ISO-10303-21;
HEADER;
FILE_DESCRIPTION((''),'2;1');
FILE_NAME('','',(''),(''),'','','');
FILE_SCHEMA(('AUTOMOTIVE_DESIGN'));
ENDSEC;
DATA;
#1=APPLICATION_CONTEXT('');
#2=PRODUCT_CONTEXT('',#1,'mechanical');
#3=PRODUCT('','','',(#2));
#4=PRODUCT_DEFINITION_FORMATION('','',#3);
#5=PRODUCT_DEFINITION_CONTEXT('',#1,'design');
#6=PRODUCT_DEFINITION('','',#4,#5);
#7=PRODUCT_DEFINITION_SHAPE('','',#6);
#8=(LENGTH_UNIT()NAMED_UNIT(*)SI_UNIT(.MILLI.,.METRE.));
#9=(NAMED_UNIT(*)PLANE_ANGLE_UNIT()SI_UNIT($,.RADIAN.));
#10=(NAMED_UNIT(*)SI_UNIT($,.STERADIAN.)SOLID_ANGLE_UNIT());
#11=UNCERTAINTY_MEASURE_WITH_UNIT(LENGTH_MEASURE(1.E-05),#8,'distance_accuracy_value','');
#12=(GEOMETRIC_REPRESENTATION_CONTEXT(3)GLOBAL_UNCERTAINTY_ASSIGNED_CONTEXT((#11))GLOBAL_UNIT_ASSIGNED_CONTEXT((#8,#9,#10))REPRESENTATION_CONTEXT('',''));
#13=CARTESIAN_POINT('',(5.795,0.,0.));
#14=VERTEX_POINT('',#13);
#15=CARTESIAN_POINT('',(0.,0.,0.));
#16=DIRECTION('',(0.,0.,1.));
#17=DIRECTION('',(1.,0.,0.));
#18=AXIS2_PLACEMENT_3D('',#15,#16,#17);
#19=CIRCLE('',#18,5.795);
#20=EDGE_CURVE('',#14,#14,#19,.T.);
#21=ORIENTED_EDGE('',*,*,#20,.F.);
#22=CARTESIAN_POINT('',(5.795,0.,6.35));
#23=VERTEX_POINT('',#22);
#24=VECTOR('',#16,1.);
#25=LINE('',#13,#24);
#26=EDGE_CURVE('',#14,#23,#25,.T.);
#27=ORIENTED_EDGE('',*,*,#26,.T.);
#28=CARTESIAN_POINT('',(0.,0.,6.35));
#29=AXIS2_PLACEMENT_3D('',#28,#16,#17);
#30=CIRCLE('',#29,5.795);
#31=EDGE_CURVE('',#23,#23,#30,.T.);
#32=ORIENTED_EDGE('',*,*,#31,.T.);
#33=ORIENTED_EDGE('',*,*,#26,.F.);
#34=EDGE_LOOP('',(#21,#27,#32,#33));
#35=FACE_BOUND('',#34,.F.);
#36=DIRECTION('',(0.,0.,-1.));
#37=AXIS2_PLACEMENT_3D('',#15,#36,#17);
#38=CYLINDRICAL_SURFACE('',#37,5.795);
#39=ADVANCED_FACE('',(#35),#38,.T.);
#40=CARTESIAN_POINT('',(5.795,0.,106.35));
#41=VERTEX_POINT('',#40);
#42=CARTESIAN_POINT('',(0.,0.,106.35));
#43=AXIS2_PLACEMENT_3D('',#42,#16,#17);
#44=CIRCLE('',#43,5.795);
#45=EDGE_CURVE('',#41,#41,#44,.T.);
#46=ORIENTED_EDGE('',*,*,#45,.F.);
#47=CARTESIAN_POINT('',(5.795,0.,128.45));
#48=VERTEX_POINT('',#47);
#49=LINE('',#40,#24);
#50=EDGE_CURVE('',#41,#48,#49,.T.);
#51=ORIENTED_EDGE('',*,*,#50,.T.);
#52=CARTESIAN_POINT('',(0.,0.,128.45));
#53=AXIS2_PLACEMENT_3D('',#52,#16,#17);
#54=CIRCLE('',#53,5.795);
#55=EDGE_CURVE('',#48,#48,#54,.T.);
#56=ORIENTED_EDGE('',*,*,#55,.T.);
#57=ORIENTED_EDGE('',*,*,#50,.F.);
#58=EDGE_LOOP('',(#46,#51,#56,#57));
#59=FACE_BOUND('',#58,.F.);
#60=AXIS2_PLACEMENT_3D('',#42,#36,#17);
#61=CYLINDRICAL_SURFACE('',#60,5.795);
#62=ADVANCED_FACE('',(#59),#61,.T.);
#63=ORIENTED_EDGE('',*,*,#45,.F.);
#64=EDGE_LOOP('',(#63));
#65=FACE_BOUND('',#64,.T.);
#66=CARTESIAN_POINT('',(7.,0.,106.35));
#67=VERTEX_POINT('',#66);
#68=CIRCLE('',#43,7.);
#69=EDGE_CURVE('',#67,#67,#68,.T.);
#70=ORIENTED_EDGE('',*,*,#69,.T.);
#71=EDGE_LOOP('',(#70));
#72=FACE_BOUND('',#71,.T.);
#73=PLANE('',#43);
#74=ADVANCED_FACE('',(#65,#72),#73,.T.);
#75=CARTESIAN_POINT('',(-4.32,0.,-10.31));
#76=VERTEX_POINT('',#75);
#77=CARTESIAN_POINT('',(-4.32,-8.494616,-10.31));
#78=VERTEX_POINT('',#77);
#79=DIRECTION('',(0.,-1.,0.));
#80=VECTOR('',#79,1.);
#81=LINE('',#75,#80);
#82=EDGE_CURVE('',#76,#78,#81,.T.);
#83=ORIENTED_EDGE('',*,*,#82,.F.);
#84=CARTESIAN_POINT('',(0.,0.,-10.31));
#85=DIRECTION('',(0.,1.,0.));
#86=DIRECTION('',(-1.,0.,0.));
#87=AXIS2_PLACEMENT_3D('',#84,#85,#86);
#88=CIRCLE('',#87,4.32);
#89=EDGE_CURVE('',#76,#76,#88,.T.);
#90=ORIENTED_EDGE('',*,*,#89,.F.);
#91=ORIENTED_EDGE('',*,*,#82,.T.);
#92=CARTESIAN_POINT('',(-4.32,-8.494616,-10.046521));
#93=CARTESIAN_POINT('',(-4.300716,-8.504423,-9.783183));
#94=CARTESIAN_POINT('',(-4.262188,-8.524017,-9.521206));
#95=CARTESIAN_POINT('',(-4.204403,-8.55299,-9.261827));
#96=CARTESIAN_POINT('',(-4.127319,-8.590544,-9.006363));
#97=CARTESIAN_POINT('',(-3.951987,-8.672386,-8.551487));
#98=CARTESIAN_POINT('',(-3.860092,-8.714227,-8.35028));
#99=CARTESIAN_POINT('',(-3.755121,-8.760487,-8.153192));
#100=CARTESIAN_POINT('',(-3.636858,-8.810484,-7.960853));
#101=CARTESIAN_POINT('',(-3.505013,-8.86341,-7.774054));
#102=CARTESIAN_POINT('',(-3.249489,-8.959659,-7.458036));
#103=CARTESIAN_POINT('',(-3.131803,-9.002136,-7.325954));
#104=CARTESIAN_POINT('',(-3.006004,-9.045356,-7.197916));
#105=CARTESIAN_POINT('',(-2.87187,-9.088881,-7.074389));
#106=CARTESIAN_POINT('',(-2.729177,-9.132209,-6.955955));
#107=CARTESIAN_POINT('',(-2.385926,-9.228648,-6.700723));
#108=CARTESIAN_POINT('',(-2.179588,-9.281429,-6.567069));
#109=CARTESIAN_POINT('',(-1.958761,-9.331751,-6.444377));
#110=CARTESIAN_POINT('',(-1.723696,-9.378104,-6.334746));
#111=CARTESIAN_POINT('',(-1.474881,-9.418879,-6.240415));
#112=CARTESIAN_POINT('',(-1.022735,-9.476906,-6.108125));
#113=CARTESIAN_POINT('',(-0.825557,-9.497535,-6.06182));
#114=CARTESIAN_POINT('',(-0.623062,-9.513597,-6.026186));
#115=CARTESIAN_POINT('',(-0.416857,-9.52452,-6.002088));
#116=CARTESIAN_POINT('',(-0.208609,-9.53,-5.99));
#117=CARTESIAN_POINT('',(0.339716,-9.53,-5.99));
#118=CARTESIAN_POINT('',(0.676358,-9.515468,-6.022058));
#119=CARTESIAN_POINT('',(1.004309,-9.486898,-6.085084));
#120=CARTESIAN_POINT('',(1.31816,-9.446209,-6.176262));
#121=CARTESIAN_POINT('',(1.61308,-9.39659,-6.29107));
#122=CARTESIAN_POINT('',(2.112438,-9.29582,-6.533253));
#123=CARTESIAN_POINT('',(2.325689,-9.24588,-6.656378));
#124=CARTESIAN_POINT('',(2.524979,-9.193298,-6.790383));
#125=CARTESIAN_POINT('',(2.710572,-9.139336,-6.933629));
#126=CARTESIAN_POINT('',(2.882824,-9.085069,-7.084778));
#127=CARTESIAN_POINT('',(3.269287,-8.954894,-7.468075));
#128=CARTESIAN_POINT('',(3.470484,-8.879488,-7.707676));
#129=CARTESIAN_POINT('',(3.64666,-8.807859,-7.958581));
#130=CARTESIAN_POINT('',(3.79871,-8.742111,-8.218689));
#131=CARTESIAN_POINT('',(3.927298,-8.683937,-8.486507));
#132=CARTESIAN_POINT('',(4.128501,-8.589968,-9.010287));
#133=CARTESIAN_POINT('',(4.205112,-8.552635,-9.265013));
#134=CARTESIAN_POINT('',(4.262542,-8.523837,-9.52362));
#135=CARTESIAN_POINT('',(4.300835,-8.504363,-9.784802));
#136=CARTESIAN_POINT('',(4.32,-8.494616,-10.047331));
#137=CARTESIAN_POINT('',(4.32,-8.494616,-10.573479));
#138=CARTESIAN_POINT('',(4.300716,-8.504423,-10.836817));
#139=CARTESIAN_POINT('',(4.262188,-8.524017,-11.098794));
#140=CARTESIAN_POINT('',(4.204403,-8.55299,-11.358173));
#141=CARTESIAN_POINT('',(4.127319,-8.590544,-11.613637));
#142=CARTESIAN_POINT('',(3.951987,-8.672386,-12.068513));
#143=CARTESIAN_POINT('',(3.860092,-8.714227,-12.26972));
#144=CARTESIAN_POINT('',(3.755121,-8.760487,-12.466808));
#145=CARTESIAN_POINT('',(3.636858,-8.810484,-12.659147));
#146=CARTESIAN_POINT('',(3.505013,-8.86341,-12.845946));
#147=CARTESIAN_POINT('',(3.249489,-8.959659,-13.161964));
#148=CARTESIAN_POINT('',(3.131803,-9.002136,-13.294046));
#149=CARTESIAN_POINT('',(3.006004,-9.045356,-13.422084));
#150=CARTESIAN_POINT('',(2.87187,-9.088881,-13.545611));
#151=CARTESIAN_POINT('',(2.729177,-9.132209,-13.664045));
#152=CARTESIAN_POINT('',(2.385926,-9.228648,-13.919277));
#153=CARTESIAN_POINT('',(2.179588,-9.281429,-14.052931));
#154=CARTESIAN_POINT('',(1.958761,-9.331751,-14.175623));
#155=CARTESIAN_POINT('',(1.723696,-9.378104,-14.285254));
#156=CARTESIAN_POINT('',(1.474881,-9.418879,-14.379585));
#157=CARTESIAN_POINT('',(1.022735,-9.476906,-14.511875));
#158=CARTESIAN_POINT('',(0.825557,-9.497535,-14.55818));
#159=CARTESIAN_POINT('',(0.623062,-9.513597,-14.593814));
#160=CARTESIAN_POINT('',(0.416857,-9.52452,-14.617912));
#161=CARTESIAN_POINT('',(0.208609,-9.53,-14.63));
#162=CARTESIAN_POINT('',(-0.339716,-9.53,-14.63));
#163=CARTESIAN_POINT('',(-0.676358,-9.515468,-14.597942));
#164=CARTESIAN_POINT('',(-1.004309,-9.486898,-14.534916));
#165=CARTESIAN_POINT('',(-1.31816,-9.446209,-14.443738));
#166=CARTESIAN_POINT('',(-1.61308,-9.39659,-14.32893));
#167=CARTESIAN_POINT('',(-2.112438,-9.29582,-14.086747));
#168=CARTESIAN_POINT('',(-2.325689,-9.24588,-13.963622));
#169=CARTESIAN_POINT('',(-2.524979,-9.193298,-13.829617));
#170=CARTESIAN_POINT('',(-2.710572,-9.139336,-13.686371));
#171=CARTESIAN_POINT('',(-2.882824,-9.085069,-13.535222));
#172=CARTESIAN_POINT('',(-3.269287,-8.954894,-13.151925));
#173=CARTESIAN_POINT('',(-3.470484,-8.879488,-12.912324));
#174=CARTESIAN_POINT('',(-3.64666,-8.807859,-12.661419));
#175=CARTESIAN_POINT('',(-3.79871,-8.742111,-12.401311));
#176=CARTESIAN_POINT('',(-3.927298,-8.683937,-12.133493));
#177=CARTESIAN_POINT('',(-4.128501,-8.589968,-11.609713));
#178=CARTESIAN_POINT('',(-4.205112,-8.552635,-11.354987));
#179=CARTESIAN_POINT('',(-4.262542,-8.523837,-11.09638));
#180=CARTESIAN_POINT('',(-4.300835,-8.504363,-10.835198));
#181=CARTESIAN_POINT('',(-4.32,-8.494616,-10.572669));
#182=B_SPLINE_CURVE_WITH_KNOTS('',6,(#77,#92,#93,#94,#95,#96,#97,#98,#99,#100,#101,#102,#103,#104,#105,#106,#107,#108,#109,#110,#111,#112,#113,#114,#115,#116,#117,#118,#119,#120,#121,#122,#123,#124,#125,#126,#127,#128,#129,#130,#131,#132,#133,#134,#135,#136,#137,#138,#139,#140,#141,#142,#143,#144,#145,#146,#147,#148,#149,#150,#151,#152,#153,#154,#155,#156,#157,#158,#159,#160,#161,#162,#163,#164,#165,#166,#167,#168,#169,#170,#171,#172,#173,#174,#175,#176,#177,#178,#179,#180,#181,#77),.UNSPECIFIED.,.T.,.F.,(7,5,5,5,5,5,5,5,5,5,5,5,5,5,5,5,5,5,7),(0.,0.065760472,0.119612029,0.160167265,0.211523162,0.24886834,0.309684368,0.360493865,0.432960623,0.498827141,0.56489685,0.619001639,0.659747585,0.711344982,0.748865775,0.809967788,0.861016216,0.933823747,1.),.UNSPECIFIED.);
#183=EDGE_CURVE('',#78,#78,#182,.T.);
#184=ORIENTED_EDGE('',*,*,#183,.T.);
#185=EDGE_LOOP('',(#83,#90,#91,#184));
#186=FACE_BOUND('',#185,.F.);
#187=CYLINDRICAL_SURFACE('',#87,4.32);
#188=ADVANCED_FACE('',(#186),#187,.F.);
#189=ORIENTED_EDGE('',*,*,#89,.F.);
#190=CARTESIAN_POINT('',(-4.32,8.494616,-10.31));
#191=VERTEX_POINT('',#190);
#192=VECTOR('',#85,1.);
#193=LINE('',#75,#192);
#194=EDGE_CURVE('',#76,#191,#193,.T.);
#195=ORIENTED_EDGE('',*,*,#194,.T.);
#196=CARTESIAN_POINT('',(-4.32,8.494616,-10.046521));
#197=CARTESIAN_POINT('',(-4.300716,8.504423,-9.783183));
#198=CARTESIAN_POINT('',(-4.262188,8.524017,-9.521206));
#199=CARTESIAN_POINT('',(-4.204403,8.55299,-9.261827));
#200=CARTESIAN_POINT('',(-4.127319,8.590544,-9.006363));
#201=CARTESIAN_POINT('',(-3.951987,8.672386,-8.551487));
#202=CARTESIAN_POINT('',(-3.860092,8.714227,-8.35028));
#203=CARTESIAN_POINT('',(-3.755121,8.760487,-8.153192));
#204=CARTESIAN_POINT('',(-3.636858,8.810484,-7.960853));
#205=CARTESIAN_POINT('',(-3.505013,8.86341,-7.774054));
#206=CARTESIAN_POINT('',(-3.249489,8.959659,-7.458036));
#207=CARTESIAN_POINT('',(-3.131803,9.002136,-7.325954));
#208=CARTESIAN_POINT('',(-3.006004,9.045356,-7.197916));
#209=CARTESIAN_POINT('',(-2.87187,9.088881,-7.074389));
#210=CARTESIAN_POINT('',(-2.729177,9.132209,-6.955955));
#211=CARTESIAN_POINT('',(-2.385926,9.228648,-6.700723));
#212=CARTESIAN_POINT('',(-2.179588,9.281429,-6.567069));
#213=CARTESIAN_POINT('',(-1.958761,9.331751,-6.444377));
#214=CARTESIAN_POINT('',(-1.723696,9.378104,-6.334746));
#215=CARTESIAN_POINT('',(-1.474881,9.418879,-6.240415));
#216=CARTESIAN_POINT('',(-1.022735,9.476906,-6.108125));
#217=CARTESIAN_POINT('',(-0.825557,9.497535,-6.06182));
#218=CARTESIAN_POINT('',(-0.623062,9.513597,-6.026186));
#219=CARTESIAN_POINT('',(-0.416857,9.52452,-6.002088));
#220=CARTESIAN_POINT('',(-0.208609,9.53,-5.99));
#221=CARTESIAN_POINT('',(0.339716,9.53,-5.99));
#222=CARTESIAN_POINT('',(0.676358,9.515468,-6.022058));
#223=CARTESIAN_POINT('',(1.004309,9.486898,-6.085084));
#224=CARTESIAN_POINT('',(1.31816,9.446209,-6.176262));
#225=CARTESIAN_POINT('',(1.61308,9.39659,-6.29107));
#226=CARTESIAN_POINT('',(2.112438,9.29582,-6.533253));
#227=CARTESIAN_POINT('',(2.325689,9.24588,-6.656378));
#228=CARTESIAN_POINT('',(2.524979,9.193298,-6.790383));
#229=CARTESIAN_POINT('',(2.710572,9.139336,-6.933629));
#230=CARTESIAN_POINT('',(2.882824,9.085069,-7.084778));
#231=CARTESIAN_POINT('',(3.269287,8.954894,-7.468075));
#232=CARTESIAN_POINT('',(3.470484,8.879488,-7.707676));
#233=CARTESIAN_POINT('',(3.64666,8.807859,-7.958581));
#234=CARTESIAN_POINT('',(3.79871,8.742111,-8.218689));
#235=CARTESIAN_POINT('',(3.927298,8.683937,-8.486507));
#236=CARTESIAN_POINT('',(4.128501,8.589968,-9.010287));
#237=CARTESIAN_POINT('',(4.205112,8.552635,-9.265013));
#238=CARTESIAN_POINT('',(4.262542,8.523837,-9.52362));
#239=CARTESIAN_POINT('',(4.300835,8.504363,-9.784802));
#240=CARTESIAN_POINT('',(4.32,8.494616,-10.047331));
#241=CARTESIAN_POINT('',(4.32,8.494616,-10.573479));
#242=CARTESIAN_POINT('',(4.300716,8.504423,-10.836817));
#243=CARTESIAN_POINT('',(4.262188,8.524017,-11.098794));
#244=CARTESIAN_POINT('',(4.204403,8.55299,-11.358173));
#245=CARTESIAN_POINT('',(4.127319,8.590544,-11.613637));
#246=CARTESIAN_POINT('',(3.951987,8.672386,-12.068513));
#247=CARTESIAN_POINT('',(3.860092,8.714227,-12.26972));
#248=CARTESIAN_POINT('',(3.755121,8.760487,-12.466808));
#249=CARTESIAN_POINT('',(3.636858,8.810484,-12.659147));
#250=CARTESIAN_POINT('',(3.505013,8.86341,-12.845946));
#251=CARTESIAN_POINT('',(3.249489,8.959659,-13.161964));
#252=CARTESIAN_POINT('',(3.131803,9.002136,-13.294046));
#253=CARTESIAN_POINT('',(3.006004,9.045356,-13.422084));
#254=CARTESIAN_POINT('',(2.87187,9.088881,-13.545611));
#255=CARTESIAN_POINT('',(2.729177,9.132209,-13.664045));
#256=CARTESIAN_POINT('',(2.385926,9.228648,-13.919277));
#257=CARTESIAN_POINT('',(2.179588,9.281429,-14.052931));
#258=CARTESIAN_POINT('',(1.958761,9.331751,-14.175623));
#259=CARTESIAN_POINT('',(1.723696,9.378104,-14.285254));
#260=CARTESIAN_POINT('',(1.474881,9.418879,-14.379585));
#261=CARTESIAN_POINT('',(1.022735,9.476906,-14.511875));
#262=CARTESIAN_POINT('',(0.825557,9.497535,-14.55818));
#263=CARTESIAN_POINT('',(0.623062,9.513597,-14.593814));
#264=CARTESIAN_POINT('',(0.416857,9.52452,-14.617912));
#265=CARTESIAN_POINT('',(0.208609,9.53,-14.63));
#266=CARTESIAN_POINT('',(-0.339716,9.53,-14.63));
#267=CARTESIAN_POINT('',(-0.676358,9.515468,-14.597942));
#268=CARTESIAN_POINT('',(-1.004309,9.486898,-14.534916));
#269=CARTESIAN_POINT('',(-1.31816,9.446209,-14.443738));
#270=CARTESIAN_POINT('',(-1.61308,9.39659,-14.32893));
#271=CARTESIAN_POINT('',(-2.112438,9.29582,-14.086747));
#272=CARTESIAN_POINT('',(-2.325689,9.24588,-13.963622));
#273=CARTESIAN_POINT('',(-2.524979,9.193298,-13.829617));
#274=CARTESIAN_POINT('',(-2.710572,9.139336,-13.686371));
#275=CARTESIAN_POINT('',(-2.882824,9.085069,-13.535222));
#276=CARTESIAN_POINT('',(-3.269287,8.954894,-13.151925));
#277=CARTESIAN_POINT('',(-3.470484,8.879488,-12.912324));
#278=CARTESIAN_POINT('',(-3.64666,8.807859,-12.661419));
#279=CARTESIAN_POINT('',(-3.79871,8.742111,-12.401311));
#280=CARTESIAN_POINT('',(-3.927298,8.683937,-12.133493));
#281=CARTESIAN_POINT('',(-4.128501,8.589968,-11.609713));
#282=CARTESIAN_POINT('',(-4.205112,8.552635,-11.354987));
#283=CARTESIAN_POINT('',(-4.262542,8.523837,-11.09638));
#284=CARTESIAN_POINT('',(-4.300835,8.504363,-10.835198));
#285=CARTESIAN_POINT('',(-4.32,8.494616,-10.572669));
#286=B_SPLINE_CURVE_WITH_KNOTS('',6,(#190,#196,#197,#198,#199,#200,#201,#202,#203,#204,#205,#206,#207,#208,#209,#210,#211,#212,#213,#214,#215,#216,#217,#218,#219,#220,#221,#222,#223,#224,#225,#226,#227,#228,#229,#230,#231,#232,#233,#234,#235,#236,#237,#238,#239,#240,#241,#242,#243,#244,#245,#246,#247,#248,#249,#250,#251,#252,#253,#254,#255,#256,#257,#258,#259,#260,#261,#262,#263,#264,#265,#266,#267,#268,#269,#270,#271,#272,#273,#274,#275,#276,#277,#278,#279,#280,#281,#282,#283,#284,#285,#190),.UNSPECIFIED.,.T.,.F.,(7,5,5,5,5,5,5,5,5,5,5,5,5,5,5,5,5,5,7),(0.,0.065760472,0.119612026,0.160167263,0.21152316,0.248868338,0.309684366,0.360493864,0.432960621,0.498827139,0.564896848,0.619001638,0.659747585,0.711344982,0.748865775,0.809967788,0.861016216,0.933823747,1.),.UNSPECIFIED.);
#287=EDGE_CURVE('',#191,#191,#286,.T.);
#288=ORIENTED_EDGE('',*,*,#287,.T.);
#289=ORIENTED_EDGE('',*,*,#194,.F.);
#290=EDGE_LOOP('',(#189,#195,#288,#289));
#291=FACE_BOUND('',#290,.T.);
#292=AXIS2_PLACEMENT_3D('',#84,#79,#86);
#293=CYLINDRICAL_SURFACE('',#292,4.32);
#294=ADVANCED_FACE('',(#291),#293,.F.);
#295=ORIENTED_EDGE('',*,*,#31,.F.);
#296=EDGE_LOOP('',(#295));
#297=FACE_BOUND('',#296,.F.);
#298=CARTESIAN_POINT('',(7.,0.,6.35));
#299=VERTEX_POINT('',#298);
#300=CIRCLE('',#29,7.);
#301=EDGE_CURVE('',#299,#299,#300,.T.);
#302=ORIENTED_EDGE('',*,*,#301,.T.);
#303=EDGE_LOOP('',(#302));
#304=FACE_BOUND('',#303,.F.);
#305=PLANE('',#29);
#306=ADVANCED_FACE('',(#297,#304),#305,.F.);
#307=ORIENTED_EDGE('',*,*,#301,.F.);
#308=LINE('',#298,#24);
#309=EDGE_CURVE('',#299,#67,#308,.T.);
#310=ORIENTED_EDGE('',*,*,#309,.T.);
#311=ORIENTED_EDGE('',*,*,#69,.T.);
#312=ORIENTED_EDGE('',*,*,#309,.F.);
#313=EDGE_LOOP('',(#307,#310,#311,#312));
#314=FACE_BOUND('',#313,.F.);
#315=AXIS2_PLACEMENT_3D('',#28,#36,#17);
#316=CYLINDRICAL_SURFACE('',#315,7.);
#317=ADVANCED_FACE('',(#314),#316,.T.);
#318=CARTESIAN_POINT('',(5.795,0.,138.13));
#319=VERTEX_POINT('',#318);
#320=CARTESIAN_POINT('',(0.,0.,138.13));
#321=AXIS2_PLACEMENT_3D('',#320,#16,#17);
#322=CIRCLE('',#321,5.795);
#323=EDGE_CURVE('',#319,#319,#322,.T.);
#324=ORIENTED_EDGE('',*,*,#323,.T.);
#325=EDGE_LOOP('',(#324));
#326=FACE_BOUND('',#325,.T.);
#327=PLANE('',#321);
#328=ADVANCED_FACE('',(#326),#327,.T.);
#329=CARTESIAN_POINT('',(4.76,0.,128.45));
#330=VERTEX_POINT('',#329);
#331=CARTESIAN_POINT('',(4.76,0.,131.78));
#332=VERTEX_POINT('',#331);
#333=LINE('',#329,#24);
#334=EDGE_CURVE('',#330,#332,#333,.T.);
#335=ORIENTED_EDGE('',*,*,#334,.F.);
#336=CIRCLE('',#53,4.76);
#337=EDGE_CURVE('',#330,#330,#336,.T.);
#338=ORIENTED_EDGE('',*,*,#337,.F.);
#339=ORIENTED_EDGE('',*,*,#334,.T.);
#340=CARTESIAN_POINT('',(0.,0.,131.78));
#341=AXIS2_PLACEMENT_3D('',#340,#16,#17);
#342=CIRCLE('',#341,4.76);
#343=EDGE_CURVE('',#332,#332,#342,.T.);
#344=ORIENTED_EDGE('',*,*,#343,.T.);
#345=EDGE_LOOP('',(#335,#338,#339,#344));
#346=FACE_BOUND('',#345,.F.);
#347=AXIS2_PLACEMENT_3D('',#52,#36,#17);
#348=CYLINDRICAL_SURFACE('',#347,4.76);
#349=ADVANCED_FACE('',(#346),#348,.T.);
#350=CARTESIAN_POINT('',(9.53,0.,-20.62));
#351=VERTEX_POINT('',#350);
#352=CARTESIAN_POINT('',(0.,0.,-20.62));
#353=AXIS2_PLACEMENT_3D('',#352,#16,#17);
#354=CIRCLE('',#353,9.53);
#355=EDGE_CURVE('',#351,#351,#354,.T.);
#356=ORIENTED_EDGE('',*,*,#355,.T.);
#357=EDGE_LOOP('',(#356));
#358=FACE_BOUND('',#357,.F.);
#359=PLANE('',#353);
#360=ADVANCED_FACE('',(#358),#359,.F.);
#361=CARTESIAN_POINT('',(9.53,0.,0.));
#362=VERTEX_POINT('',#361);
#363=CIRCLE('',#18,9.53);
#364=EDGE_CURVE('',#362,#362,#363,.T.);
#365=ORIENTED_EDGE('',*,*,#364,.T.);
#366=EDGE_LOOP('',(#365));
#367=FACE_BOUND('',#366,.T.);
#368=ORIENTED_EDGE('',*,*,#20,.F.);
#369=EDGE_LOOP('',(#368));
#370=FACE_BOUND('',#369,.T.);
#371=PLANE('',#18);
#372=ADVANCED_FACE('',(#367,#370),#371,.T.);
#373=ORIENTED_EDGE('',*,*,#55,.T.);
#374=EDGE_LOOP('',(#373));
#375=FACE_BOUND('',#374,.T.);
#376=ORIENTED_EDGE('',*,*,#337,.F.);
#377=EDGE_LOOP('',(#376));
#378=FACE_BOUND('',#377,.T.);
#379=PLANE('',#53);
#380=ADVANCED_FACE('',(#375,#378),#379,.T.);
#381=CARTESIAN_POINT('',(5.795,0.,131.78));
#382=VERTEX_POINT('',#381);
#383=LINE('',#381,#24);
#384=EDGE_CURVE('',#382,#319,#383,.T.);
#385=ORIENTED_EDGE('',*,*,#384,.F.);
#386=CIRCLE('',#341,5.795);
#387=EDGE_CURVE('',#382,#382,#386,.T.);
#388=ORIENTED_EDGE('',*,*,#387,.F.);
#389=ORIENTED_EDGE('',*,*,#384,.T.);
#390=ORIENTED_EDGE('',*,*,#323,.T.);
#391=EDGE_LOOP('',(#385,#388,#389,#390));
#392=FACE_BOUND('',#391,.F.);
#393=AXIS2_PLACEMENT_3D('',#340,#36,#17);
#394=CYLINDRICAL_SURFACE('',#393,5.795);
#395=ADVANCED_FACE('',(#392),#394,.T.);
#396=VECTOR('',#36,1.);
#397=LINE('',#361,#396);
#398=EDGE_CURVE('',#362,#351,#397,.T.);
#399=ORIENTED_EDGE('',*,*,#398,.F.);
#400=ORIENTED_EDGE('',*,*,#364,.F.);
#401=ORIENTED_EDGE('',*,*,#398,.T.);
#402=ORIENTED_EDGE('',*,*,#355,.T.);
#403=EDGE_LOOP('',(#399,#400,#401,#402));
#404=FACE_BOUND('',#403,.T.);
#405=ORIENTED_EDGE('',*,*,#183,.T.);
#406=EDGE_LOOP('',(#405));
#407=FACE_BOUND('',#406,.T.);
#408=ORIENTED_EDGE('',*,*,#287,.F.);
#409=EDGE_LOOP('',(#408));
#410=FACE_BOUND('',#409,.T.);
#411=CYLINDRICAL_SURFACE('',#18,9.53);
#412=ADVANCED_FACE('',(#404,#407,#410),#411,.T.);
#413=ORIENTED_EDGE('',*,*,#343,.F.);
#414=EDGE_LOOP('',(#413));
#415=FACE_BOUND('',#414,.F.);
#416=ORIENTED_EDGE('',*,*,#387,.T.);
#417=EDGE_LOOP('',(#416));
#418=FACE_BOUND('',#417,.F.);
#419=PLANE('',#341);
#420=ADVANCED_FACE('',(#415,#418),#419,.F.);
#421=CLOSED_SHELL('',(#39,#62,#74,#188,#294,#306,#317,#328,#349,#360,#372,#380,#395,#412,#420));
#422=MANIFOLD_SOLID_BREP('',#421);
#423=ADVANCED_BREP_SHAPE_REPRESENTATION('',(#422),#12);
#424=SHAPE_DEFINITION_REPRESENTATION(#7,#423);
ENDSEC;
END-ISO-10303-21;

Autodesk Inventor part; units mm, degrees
ref_plane "YZ Plane" through (0, 0, 0) normal (1, 0, 0) x (0, 1, 0)
ref_plane "XZ Plane" through (0, 0, 0) normal (0, 1, 0) x (-1, 0, 0)
ref_plane "XY Plane" through (0, 0, 0) normal (0, 0, 1) x (1, 0, 0)
sketch "Sketch1" plane through (0, 0, 0) normal (0, 0, 1) x (1, 0, 0)
  circle A0 centre (0, 0) radius 9.53
  dimension "d0" = 19.06
extrude "Extrusion1" add sketch "Sketch1" against normal blind 20.62
sketch "Sketch2" plane through (0, 0, 0) normal (0, 0, 1) x (1, 0, 0)
  circle A0 centre (0, 0) radius 5.795
  dimension "d3" = 11.59
extrude "Extrusion2" add sketch "Sketch2" along normal blind 6.35
sketch "Sketch3" plane through (0, 0, 6.35) normal (0, 0, 1) x (1, 0, 0)
  circle A0 centre (0, 0) radius 7
  dimension "d6" = 14
extrude "Extrusion3" add sketch "Sketch3" along normal blind 100
sketch "Sketch4" plane through (0, 0, 106.35) normal (0, 0, 1) x (1, 0, 0)
  circle A0 centre (0, 0) radius 7 projected
  circle A1 centre (0, 0) radius 7 projected
  circle A2 centre (0, 0) radius 7 projected
  circle A3 centre (0, 0) radius 5.795 projected
extrude "Extrusion4" add sketch "Sketch4" along normal blind 22.1 contours A3
sketch "Sketch5" plane through (0, 0, 128.45) normal (0, 0, 1) x (1, 0, 0)
  circle A0 centre (0, 0) radius 4.76
  dimension "d11" = 9.52
extrude "Extrusion5" add sketch "Sketch5" along normal blind 3.33
sketch "Sketch6" plane through (0, 0, 131.78) normal (0, 0, 1) x (1, 0, 0)
  circle A0 centre (0, 0) radius 5.795 projected
extrude "Extrusion6" add sketch "Sketch6" along normal blind 6.35
sketch "Sketch7" plane through (0, 0, 0) normal (0, 1, 0) x (-1, 0, 0)
  circle A0 centre (0, -10.31) radius 4.32
  point P0 (0, 0)
  dimension "d16" = 8.64
extrude "Extrusion7" cut sketch "Sketch7" along normal mid plane 40.35
thread "Thread1" size "M14x2" class "6g" standard "ANSI Metric M Profile" full length
properties part number "parça3"
